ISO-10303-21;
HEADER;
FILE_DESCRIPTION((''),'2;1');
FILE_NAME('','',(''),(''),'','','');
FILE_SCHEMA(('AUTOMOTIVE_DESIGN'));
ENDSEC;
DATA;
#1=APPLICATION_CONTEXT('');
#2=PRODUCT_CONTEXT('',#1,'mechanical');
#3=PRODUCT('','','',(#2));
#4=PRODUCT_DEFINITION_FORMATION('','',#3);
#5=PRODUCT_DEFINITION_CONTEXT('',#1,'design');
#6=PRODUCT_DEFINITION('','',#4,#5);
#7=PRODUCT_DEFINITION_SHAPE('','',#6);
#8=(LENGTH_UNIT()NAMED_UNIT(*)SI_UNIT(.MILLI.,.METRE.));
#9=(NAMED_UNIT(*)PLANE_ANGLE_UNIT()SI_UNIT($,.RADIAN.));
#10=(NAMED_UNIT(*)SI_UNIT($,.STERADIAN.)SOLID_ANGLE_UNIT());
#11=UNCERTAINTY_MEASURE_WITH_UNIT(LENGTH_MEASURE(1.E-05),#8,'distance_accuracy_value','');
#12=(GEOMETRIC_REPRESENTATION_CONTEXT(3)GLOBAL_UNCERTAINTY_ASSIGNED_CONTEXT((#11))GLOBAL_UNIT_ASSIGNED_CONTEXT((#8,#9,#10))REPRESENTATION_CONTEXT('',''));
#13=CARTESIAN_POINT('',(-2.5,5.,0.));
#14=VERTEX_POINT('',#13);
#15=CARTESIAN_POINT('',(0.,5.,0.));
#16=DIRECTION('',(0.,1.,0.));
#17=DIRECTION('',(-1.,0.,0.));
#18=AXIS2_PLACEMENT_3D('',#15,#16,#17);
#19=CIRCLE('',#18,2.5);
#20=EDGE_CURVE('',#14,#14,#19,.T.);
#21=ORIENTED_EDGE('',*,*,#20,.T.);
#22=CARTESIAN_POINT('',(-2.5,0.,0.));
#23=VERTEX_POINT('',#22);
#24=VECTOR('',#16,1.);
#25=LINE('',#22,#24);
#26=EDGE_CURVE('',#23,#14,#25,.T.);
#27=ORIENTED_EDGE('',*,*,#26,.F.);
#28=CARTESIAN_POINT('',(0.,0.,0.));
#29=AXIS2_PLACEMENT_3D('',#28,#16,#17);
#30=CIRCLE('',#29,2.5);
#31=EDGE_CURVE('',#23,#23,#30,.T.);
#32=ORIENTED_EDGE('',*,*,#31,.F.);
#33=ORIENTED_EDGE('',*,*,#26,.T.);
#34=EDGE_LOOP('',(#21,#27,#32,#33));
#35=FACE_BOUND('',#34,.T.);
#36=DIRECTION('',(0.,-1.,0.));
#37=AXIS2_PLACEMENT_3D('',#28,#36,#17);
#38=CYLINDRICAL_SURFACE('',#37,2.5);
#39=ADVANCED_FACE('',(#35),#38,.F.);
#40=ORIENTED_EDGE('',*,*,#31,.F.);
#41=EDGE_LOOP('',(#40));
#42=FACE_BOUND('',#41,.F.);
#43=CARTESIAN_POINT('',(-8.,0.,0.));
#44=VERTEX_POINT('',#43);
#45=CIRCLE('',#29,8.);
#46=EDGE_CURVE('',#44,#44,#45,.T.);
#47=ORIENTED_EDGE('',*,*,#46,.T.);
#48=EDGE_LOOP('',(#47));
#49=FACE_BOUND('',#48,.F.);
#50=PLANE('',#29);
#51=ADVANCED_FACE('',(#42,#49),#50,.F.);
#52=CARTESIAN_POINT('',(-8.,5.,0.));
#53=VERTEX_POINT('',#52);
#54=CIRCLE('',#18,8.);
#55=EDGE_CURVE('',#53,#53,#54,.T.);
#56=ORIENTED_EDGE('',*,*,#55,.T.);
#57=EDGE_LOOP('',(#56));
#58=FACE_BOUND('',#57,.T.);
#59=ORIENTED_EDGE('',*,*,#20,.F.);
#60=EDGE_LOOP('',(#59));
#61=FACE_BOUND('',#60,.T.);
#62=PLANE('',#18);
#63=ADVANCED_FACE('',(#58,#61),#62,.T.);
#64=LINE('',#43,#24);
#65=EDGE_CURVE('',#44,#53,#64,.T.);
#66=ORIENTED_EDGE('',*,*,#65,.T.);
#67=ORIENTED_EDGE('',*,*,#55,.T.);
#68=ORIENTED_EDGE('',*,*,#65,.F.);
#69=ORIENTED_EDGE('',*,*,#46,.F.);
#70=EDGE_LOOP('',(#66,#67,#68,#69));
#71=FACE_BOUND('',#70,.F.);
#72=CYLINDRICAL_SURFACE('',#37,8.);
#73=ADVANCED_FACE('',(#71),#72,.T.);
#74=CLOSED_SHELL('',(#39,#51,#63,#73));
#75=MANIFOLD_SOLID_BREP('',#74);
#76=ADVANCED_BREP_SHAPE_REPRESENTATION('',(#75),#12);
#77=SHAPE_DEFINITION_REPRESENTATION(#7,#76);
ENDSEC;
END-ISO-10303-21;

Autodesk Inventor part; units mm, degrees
ref_plane "YZ Plane" through (0, 0, 0) normal (1, 0, 0) x (0, 1, 0)
ref_plane "XZ Plane" through (0, 0, 0) normal (0, 1, 0) x (-1, 0, 0)
ref_plane "XY Plane" through (0, 0, 0) normal (0, 0, 1) x (1, 0, 0)
sketch "Sketch1" plane through (0, 0, 0) normal (0, 1, 0) x (-1, 0, 0)
  circle A0 centre (0, 0) radius 2.5
  circle A1 centre (0, 0) radius 8
  dimension "d0" = 5
  dimension "d1" = 16
extrude "Extrusion1" add sketch "Sketch1" along normal blind 5
properties part number "625ZZ"
